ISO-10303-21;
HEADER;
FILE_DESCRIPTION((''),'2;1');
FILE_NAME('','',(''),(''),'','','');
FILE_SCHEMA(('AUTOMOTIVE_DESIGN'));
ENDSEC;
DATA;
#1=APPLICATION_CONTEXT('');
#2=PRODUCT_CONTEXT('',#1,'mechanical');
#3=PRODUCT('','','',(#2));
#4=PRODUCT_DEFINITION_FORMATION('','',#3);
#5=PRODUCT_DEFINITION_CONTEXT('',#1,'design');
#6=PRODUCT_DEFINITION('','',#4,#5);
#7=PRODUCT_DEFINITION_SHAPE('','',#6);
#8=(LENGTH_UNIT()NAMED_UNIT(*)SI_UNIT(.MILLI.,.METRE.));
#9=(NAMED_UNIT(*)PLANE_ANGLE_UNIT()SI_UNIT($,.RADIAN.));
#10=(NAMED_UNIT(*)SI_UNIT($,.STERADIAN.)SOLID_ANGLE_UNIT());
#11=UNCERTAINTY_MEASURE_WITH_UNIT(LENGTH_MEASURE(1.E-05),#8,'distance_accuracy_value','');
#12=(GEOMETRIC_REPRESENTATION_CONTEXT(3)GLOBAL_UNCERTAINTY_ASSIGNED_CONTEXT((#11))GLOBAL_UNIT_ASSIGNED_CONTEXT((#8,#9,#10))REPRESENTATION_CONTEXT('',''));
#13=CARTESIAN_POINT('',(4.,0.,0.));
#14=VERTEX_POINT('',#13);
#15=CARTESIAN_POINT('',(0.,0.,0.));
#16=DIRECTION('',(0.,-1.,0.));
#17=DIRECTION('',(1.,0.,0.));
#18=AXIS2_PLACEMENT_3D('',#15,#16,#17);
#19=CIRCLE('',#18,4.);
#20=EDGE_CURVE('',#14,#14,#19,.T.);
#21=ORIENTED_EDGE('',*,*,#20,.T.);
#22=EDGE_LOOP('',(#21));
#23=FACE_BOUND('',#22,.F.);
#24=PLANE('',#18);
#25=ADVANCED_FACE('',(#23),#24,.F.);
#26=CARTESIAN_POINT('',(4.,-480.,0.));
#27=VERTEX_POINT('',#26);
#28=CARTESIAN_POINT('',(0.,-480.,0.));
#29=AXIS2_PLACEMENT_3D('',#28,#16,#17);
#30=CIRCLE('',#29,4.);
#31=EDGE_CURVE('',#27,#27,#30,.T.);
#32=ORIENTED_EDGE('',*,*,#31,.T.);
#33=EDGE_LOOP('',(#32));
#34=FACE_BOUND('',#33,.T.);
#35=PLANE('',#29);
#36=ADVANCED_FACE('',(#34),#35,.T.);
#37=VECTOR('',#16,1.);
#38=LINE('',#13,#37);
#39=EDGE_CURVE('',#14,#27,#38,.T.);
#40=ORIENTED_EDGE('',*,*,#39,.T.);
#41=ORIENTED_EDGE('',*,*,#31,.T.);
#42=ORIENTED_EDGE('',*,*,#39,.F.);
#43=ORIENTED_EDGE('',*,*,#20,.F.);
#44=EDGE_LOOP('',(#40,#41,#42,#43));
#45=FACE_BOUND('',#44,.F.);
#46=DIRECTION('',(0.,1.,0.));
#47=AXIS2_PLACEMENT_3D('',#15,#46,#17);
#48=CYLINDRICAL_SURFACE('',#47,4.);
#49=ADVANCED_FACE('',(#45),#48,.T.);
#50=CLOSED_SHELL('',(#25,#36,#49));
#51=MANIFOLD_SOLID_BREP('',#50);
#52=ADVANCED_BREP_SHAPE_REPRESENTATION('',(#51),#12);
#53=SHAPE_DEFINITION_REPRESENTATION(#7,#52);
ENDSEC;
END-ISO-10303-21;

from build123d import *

# Parameters (mm, degrees)
SKETCH_R  = 4
PAD_DEPTH = 480


with BuildPart() as part:
    # Sketch → Pad (new body)
    with BuildSketch(Plane.XZ):
        Circle(SKETCH_R)
    extrude(amount=PAD_DEPTH)


solid = part.part
